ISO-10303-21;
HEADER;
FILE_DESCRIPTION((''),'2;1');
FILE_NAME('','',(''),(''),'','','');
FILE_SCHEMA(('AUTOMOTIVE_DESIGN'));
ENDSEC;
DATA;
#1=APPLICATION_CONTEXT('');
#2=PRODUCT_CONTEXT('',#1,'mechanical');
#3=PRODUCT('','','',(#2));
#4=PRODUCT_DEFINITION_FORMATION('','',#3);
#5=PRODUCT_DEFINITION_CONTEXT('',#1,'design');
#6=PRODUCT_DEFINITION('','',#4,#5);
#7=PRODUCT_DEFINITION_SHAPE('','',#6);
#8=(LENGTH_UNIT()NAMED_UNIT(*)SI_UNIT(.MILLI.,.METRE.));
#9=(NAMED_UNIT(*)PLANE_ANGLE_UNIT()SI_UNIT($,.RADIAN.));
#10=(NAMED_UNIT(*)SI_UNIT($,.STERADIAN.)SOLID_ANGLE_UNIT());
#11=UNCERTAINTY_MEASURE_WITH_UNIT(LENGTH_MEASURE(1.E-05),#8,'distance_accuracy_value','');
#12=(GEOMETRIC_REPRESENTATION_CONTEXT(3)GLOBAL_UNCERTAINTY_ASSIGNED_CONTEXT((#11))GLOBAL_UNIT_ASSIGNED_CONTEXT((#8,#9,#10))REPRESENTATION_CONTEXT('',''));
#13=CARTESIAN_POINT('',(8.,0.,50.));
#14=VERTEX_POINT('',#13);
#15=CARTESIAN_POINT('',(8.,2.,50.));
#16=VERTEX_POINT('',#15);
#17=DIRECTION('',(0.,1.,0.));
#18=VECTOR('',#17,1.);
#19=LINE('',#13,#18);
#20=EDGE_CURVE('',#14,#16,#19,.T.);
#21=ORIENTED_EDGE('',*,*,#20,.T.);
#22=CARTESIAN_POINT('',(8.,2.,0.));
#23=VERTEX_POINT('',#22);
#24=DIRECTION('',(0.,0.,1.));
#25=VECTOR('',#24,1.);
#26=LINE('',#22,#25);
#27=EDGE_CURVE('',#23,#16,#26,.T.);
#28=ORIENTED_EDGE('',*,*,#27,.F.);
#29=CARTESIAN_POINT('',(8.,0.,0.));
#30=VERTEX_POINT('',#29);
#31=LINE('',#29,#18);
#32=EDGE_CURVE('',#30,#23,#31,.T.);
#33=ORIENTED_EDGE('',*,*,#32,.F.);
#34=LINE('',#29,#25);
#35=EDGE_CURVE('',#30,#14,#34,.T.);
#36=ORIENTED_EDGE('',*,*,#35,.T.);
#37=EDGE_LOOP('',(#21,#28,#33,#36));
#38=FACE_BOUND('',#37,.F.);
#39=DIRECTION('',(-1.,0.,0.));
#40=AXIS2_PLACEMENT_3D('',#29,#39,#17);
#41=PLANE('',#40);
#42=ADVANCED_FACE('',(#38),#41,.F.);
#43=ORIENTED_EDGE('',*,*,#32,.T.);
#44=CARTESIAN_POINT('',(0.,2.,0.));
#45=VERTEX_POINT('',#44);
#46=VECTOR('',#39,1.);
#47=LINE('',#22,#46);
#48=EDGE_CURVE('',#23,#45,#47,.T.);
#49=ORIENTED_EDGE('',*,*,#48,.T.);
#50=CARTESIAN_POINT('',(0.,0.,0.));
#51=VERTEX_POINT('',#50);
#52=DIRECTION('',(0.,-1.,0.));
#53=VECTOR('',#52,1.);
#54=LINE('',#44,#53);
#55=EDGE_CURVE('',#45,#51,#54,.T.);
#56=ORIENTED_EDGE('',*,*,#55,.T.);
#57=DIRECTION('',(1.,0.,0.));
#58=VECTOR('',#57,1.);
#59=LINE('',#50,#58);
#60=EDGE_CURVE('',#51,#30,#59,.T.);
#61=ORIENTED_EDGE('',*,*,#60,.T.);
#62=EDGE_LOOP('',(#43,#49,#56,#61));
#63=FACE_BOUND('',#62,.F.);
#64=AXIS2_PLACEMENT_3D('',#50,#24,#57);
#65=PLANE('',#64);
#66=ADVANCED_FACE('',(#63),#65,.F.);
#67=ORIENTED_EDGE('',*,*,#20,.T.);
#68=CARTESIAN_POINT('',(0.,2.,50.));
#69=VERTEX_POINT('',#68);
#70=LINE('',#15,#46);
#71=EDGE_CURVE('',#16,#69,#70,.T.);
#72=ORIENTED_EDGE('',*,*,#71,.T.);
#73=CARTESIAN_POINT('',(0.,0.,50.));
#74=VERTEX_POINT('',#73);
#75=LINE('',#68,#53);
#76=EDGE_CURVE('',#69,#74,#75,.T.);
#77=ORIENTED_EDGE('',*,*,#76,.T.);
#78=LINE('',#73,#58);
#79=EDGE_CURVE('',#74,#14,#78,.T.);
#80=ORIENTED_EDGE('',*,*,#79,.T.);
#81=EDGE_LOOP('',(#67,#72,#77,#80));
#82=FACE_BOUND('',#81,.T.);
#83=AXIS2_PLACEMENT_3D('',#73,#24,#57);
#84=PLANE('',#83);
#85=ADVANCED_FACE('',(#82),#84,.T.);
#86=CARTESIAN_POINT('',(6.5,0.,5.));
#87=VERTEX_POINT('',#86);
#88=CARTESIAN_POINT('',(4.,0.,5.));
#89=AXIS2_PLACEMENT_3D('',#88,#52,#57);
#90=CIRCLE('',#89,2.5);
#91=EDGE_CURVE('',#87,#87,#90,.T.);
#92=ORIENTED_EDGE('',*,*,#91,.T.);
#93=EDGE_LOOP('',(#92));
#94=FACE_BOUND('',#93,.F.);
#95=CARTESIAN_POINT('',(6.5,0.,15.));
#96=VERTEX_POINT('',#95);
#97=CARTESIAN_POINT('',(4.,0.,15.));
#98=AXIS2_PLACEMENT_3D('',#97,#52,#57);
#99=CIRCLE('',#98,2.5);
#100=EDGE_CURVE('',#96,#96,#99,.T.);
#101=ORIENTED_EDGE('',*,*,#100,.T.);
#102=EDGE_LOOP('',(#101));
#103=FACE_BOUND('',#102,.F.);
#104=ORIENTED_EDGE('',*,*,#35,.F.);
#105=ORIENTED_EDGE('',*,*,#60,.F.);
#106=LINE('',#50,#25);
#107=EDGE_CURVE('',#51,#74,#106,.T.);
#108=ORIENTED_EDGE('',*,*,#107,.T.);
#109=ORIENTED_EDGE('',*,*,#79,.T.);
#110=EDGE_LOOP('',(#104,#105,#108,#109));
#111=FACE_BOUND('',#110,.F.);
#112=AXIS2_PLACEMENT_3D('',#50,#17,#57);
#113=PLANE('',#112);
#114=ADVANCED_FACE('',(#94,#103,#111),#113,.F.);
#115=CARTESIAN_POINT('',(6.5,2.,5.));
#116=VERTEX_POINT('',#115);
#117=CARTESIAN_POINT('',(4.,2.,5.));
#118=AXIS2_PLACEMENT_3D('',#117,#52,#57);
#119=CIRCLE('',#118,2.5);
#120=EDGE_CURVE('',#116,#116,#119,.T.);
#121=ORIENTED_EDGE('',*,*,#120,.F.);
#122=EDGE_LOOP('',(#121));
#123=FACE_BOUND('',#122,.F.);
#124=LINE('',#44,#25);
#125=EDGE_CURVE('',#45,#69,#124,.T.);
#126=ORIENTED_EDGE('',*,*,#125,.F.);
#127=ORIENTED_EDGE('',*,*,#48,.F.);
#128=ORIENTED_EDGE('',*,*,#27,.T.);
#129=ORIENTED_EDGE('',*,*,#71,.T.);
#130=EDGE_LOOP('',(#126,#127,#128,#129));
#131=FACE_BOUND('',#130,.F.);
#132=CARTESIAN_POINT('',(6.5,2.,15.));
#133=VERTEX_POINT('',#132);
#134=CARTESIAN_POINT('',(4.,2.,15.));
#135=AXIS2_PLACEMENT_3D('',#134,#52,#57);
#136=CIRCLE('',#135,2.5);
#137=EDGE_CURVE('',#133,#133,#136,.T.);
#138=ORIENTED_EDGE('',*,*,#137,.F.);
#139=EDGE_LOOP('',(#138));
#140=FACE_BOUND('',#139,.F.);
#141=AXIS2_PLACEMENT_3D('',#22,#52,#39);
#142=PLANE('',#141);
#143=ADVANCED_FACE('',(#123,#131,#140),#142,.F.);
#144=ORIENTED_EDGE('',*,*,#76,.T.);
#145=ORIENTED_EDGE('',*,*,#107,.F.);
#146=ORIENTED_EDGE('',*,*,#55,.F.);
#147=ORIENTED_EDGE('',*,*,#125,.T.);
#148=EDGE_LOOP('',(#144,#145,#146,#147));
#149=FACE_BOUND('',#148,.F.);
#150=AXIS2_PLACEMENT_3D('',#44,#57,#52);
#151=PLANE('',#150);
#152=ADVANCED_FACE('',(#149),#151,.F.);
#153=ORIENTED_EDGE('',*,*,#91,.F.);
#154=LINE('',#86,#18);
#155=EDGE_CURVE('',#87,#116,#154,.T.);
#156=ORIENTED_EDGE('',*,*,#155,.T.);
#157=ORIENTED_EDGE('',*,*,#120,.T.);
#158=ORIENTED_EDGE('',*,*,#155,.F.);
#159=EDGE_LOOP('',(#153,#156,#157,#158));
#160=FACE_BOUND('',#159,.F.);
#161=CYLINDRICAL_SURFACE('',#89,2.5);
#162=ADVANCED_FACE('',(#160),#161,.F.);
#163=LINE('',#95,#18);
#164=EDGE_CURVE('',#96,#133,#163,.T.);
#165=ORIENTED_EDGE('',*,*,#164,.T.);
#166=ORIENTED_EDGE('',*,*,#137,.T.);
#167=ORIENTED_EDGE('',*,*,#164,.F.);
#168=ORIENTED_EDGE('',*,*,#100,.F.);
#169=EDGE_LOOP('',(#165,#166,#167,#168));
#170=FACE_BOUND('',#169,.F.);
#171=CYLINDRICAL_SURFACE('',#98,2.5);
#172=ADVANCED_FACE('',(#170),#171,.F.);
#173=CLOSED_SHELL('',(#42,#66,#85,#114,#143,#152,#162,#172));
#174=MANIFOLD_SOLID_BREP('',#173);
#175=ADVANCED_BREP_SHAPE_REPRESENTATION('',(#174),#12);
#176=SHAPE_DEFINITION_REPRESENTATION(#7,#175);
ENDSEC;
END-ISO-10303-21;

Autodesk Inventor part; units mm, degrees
ref_plane "YZ Plane" through (0, 0, 0) normal (1, 0, 0) x (0, 1, 0)
ref_plane "XZ Plane" through (0, 0, 0) normal (0, 1, 0) x (-1, 0, 0)
ref_plane "XY Plane" through (0, 0, 0) normal (0, 0, 1) x (1, 0, 0)
sketch "Sketch1" plane through (0, 0, 0) normal (0, 0, 1) x (1, 0, 0)
  line L0 (0, 0) -> (8, 0)
  line L1 (8, 0) -> (8, 2)
  line L2 (8, 2) -> (0, 2)
  line L3 (0, 2) -> (0, 0)
  dimension "d0" = 8
  dimension "d1" = 2
extrude "Extrusion1" add sketch "Sketch1" along normal blind 50
sketch "Sketch2" plane through (0, 0, 0) normal (0, -1, 0) x (1, 0, 0)
  circle A0 centre (4, 5) radius 2.5
  circle A1 centre (4, 15) radius 2.5
  line L0 (0, 0) -> (8, 0) projected
  line L1 (8, 0) -> (8, 50) projected
  line L2 (0, 50) -> (8, 50) projected
  line L3 (0, 0) -> (0, 50) projected
  dimension "d4" = 5
  dimension "d5" = 5
  dimension "d6" = 5
  dimension "d7" = 10
  dimension "d8" = 4
  dimension "d9" = 4
extrude "Extrusion2" cut sketch "Sketch2" against normal up to next contours A0 | A1
properties part number "Y_Rail_Limit_Rod-SquareBar-Rev3"
